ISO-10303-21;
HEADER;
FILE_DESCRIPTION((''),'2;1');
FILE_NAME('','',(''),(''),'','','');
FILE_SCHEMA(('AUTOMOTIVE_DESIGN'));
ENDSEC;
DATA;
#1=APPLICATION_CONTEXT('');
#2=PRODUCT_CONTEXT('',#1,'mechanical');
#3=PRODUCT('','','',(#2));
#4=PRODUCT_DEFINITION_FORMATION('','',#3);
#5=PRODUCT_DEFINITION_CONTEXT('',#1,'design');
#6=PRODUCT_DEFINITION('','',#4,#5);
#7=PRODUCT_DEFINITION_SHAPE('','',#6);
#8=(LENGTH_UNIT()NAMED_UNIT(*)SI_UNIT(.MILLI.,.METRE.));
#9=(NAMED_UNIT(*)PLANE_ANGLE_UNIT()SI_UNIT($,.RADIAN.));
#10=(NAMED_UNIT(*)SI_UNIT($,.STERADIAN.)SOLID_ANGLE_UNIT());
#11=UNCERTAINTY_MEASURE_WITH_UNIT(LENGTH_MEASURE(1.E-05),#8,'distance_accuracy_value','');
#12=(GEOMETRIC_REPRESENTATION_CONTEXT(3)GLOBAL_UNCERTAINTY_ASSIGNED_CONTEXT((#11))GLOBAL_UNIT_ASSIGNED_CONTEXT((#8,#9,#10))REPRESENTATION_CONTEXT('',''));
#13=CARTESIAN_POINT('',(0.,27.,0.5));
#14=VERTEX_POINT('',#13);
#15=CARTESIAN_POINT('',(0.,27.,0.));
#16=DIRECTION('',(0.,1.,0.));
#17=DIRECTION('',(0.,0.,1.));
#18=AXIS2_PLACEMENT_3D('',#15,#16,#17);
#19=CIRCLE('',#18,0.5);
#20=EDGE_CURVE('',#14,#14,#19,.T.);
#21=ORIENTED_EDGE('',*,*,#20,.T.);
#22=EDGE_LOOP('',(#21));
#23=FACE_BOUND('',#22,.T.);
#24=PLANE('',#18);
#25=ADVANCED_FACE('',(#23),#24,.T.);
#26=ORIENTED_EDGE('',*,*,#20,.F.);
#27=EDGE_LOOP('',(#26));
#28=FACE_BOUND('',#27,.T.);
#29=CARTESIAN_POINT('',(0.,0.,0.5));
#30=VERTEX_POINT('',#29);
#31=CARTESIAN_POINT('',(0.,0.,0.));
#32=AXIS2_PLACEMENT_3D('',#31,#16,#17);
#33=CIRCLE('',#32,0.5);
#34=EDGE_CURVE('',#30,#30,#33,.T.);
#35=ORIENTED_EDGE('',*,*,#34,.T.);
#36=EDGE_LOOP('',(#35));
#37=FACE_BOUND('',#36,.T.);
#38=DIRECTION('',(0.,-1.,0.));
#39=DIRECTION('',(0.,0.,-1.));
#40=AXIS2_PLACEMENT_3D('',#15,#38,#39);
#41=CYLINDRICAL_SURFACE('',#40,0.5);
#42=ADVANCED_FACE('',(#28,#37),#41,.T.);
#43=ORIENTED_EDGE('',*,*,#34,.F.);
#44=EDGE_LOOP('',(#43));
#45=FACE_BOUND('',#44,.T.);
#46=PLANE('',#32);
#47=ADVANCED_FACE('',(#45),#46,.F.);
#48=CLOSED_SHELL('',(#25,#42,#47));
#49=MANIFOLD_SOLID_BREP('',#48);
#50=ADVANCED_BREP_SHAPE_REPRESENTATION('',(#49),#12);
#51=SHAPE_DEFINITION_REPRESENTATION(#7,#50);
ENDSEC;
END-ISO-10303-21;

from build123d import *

# Parameters (mm, degrees)
SKETCH1_R           = 0.5
BOSS_EXTRUDE1_DEPTH = 27


with BuildPart() as part:
    # Sketch1 → Boss-Extrude1 (new body)
    with BuildSketch(Plane(origin=(0, 0, 0), x_dir=(1, 0, 0), z_dir=(0, 1, 0))):
        with Locations(Location((0, 0, 0), (0, 0, 270))):
            Circle(SKETCH1_R)
    extrude(amount=BOSS_EXTRUDE1_DEPTH)


solid = part.part
